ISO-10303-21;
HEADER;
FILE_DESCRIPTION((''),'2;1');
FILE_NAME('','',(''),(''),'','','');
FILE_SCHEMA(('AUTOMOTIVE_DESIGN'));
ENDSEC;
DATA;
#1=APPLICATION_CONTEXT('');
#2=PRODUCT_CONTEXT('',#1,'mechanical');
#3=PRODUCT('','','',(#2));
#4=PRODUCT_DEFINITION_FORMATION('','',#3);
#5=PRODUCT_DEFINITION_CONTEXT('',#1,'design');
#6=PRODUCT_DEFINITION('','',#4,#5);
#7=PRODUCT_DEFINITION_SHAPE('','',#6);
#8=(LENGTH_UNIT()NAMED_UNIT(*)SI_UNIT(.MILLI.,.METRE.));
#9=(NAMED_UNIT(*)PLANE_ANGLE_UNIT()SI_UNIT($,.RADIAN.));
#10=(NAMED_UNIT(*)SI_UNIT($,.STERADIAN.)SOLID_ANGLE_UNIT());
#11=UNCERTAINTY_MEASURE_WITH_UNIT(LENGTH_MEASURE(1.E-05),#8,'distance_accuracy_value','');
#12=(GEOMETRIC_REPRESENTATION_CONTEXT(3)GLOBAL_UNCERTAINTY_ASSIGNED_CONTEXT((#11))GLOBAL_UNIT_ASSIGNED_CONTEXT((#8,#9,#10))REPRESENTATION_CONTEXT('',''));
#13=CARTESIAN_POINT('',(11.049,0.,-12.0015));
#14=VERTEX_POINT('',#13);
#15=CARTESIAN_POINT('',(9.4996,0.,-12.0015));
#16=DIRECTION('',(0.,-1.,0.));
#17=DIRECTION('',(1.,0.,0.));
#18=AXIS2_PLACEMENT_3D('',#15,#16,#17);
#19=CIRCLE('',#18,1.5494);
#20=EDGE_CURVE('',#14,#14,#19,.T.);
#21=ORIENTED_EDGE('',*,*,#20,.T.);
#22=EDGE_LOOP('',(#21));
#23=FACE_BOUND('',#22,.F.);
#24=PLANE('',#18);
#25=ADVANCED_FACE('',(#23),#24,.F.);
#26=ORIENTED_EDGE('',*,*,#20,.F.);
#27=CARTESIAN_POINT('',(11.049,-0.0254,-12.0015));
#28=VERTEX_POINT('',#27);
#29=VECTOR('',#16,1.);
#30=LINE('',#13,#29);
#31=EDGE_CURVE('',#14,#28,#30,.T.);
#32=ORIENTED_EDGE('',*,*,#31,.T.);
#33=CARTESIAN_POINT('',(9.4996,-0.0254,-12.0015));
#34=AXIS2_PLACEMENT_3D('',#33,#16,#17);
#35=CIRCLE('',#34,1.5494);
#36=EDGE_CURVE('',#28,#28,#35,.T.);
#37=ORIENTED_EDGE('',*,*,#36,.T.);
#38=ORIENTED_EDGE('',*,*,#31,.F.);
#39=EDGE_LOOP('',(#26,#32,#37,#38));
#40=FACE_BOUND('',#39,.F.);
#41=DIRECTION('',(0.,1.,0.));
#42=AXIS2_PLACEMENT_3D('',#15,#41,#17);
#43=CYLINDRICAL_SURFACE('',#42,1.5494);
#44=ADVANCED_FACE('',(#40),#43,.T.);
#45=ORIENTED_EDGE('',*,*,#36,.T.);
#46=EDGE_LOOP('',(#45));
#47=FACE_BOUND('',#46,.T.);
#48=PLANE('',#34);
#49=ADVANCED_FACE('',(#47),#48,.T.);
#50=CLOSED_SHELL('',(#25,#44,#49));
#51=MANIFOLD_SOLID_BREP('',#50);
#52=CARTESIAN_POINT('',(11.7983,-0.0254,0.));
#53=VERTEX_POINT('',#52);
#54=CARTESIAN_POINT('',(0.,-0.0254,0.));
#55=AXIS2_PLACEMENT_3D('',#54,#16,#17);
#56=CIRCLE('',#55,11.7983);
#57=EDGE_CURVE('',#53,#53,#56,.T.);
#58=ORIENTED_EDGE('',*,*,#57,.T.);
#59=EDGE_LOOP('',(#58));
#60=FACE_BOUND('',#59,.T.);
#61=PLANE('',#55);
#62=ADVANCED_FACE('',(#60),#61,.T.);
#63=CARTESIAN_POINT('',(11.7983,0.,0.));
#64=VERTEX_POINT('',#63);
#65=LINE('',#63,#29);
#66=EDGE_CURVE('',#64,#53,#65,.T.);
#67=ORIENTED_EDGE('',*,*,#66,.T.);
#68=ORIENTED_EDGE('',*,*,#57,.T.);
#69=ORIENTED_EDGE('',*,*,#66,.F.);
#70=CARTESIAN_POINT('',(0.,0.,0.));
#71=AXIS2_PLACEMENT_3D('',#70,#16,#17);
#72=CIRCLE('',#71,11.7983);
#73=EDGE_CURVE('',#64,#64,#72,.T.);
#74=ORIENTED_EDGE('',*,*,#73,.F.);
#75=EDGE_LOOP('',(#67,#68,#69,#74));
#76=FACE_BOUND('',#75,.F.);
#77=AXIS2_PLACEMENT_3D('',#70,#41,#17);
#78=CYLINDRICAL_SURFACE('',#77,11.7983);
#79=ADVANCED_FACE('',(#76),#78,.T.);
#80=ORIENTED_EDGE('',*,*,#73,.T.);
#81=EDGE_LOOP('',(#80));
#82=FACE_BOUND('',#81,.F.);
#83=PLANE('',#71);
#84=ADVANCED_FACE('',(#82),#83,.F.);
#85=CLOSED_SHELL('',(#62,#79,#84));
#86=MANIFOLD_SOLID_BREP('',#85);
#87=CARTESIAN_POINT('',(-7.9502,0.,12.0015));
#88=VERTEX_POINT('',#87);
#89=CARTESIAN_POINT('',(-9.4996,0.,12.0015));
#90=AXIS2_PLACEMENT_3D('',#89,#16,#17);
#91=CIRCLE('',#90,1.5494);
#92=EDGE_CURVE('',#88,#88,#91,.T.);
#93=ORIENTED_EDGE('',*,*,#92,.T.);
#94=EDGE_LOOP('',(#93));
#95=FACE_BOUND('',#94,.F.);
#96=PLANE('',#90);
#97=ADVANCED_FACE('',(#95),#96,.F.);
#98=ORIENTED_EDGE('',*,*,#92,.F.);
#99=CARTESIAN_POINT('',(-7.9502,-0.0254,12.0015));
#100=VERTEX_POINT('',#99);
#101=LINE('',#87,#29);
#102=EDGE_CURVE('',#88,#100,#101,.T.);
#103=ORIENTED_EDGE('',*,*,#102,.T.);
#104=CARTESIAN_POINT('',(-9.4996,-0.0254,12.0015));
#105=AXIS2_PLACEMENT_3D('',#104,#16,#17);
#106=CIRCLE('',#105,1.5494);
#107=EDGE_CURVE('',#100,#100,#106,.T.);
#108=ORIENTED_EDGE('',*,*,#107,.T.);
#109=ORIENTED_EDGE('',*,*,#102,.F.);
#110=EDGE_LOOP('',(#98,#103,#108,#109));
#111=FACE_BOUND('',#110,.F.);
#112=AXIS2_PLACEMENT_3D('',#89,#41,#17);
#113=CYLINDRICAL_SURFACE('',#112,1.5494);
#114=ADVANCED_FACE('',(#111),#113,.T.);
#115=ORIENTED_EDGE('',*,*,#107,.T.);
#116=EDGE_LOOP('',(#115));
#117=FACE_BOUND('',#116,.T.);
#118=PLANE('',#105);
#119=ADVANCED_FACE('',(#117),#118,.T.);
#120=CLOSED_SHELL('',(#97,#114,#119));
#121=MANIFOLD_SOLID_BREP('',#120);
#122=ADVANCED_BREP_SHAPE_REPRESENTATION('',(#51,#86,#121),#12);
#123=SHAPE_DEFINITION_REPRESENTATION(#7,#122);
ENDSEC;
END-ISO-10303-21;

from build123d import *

# Parameters (mm, degrees)
F0_R     = 11.7983
F0_R_2   = 1.5494
F1_DEPTH = 0.0254


with BuildPart() as f1:
    # F0 (on Front) → F1 (new body)
    with BuildSketch(Plane.XZ):
        Circle(F0_R)
        with Locations((-9.4996, 12.0015)):
            Circle(F0_R_2)
        with Locations((9.4996, -12.0015)):
            Circle(F0_R_2)
    extrude(amount=F1_DEPTH)


solid = f1.part
